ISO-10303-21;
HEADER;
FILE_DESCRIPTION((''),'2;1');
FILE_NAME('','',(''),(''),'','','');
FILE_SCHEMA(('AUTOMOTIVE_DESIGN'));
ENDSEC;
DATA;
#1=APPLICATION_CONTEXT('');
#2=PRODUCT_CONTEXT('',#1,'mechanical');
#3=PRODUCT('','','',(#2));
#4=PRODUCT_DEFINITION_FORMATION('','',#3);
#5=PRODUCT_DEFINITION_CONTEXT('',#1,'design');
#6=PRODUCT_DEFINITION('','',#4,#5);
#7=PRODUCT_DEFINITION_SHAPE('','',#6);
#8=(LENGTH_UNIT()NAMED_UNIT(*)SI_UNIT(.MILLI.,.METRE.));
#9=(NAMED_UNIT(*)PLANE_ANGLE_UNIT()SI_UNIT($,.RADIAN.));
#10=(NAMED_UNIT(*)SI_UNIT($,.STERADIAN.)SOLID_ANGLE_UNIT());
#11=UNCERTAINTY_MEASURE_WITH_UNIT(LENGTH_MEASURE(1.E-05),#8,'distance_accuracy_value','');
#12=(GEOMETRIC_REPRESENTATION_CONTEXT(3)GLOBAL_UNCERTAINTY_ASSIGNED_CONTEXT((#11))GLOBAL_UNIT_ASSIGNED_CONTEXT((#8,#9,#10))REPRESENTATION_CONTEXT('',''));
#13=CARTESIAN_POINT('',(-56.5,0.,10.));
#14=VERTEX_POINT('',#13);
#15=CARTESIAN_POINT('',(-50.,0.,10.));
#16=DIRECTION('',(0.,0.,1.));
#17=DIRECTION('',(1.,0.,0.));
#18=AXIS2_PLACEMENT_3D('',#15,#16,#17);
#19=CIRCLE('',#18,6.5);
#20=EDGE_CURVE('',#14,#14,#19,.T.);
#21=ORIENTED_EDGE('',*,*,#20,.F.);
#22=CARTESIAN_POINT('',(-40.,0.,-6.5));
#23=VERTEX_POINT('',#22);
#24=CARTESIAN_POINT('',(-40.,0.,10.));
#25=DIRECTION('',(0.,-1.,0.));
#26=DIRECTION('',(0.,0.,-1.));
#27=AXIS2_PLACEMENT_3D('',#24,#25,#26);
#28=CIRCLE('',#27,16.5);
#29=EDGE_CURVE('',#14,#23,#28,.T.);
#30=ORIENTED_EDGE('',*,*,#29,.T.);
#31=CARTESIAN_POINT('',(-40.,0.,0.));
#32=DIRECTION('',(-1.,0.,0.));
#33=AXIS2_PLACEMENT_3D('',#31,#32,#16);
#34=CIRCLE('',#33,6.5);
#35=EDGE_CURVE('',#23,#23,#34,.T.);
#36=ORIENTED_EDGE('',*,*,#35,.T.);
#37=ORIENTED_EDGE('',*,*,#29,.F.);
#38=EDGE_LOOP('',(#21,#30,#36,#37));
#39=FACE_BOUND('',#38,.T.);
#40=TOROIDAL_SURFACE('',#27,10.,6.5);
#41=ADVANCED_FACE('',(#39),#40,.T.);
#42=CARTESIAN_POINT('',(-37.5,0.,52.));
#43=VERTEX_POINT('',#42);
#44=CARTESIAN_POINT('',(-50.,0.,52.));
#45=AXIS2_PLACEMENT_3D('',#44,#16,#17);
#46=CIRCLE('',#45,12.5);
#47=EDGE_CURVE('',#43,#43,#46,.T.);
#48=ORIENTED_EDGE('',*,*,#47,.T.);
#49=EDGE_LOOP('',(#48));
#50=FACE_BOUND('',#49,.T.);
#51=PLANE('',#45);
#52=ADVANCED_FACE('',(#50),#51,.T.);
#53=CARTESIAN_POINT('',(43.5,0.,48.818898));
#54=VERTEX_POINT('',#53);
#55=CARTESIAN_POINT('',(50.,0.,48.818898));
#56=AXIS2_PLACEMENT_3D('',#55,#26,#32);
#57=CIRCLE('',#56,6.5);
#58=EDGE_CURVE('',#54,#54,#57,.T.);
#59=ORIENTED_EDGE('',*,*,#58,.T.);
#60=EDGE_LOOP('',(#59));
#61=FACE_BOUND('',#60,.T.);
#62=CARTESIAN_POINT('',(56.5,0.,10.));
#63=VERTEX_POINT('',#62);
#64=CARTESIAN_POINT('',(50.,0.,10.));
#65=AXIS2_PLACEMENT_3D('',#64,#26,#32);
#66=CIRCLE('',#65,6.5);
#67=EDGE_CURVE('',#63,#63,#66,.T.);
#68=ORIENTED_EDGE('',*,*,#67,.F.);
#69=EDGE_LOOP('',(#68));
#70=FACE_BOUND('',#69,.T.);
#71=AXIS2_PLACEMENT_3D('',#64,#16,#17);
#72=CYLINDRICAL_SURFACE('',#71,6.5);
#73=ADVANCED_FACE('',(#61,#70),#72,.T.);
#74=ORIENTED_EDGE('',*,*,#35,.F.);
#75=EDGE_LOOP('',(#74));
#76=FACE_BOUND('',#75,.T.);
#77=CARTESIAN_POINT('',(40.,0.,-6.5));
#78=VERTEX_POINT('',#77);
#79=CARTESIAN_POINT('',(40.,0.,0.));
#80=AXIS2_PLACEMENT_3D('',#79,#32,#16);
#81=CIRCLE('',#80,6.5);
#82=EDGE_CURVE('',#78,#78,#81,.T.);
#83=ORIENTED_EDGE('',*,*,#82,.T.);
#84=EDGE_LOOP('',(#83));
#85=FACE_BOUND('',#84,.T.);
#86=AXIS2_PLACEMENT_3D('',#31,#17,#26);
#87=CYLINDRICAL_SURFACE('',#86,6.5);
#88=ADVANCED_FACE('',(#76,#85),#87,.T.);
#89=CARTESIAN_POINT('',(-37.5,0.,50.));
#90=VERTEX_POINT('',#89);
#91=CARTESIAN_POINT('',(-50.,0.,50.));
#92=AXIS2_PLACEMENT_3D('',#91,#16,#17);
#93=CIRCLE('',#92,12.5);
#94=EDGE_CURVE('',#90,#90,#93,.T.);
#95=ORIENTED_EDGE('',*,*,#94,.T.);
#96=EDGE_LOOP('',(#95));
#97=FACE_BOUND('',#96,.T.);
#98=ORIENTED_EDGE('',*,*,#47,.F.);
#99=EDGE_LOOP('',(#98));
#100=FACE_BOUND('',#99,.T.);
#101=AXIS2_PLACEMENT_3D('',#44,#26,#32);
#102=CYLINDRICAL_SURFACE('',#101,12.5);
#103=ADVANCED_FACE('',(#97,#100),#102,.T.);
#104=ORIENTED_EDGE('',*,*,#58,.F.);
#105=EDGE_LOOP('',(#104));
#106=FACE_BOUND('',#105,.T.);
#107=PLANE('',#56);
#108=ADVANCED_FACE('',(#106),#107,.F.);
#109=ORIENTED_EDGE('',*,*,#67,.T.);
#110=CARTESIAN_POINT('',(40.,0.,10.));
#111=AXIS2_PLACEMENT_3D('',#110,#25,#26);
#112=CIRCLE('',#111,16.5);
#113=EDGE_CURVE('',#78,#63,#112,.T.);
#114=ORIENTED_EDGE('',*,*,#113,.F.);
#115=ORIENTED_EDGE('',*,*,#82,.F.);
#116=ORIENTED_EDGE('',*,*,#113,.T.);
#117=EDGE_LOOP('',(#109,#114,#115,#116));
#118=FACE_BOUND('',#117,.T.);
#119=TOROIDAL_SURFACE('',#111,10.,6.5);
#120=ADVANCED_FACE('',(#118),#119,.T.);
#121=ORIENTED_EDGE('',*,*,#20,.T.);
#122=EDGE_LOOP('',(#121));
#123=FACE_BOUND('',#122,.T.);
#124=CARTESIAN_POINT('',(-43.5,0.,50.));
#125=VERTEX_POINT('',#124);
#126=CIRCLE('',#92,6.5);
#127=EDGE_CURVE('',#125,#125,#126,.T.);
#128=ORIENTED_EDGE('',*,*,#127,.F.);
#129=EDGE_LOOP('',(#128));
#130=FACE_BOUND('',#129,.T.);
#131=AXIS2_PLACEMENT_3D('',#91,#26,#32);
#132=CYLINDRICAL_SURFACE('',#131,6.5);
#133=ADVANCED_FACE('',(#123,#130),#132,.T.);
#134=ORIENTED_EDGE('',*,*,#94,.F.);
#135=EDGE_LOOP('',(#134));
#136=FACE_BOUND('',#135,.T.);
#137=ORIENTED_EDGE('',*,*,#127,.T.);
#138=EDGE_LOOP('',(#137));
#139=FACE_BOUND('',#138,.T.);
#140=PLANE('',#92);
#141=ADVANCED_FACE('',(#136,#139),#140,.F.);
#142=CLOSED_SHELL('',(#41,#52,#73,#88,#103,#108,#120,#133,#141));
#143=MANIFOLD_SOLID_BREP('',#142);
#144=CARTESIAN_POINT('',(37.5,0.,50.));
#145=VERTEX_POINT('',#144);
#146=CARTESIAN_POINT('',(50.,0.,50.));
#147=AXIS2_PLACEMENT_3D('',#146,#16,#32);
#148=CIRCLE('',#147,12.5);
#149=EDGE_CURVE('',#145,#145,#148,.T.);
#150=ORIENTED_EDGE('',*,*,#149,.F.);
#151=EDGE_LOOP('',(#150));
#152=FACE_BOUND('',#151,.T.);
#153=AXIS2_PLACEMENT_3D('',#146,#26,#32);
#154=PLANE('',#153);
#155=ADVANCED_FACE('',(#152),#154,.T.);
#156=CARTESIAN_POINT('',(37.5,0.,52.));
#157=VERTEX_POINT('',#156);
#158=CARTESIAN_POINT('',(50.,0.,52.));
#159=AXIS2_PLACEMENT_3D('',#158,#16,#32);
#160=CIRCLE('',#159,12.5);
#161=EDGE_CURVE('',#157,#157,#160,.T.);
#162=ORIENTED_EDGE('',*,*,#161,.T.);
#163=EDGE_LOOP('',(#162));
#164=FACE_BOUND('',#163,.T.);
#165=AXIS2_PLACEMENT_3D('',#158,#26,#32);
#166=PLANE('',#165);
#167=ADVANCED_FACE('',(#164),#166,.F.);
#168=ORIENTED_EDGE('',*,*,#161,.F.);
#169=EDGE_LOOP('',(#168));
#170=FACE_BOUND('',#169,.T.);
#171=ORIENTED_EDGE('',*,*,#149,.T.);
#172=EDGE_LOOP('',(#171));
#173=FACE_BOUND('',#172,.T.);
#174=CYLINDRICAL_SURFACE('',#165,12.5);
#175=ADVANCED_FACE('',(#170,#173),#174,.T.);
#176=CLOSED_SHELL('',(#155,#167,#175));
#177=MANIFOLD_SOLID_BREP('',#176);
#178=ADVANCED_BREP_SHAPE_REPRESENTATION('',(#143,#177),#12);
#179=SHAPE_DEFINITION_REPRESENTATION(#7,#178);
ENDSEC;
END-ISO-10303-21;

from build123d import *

# Parameters (mm, degrees)
BALAYAGE2_PROFILE_R = 6.5
BOSS_EXTRU_1_START  = 50
ESQUISSE15_R        = 12.5
BOSS_EXTRU_1_DEPTH  = 2


with BuildPart() as part:
    # Balayage2: sweep along a path in Esquisse1
    with BuildLine(Plane(origin=(0, 0, 0), x_dir=(1, 0, 0), z_dir=(0, 1, 0))) as balayage2_path:
        Line((50, -48.818897638), (50, -10))
        ThreePointArc((50, -10), (47.071067812, -2.928932188), (40, 0))
        Line((40, 0), (-40, 0))
        ThreePointArc((-40, 0), (-47.071067812, -2.928932188), (-50, -10))
        Line((-50, -10), (-50, -50))
    # Balayage2 profile (on start of the path) → Balayage2 (sweep)
    with BuildSketch(Plane(origin=(50, 0, 48.818897638), x_dir=(-1, 0, 0), z_dir=(0, 0, -1))):
        Circle(BALAYAGE2_PROFILE_R)
    sweep(path=balayage2_path.line)

    # Esquisse15 → Boss.-Extru.1 (add)
    with BuildSketch(Plane.XY.offset(BOSS_EXTRU_1_START)):
        with Locations((-50, 0)):
            Circle(ESQUISSE15_R)
        with Locations(Location((50, 0, 0), (0, 0, 180))):
            Circle(ESQUISSE15_R)
    extrude(amount=BOSS_EXTRU_1_DEPTH)


with BuildPart() as boss_extru_1_piece_1:
    # of the separate pieces the step leaves, piece 1, a body of its own (boss_extru_1_pieces)
    add(part.part.solids().sort_by_distance((-37.5, 0, 50))[0])


with BuildPart() as boss_extru_1_piece_2:
    # of the separate pieces the step leaves, piece 2, a body of its own (boss_extru_1_pieces)
    add(part.part.solids().sort_by_distance((37.5, 0, 50))[0])


solid = Compound([boss_extru_1_piece_1.part, boss_extru_1_piece_2.part])
